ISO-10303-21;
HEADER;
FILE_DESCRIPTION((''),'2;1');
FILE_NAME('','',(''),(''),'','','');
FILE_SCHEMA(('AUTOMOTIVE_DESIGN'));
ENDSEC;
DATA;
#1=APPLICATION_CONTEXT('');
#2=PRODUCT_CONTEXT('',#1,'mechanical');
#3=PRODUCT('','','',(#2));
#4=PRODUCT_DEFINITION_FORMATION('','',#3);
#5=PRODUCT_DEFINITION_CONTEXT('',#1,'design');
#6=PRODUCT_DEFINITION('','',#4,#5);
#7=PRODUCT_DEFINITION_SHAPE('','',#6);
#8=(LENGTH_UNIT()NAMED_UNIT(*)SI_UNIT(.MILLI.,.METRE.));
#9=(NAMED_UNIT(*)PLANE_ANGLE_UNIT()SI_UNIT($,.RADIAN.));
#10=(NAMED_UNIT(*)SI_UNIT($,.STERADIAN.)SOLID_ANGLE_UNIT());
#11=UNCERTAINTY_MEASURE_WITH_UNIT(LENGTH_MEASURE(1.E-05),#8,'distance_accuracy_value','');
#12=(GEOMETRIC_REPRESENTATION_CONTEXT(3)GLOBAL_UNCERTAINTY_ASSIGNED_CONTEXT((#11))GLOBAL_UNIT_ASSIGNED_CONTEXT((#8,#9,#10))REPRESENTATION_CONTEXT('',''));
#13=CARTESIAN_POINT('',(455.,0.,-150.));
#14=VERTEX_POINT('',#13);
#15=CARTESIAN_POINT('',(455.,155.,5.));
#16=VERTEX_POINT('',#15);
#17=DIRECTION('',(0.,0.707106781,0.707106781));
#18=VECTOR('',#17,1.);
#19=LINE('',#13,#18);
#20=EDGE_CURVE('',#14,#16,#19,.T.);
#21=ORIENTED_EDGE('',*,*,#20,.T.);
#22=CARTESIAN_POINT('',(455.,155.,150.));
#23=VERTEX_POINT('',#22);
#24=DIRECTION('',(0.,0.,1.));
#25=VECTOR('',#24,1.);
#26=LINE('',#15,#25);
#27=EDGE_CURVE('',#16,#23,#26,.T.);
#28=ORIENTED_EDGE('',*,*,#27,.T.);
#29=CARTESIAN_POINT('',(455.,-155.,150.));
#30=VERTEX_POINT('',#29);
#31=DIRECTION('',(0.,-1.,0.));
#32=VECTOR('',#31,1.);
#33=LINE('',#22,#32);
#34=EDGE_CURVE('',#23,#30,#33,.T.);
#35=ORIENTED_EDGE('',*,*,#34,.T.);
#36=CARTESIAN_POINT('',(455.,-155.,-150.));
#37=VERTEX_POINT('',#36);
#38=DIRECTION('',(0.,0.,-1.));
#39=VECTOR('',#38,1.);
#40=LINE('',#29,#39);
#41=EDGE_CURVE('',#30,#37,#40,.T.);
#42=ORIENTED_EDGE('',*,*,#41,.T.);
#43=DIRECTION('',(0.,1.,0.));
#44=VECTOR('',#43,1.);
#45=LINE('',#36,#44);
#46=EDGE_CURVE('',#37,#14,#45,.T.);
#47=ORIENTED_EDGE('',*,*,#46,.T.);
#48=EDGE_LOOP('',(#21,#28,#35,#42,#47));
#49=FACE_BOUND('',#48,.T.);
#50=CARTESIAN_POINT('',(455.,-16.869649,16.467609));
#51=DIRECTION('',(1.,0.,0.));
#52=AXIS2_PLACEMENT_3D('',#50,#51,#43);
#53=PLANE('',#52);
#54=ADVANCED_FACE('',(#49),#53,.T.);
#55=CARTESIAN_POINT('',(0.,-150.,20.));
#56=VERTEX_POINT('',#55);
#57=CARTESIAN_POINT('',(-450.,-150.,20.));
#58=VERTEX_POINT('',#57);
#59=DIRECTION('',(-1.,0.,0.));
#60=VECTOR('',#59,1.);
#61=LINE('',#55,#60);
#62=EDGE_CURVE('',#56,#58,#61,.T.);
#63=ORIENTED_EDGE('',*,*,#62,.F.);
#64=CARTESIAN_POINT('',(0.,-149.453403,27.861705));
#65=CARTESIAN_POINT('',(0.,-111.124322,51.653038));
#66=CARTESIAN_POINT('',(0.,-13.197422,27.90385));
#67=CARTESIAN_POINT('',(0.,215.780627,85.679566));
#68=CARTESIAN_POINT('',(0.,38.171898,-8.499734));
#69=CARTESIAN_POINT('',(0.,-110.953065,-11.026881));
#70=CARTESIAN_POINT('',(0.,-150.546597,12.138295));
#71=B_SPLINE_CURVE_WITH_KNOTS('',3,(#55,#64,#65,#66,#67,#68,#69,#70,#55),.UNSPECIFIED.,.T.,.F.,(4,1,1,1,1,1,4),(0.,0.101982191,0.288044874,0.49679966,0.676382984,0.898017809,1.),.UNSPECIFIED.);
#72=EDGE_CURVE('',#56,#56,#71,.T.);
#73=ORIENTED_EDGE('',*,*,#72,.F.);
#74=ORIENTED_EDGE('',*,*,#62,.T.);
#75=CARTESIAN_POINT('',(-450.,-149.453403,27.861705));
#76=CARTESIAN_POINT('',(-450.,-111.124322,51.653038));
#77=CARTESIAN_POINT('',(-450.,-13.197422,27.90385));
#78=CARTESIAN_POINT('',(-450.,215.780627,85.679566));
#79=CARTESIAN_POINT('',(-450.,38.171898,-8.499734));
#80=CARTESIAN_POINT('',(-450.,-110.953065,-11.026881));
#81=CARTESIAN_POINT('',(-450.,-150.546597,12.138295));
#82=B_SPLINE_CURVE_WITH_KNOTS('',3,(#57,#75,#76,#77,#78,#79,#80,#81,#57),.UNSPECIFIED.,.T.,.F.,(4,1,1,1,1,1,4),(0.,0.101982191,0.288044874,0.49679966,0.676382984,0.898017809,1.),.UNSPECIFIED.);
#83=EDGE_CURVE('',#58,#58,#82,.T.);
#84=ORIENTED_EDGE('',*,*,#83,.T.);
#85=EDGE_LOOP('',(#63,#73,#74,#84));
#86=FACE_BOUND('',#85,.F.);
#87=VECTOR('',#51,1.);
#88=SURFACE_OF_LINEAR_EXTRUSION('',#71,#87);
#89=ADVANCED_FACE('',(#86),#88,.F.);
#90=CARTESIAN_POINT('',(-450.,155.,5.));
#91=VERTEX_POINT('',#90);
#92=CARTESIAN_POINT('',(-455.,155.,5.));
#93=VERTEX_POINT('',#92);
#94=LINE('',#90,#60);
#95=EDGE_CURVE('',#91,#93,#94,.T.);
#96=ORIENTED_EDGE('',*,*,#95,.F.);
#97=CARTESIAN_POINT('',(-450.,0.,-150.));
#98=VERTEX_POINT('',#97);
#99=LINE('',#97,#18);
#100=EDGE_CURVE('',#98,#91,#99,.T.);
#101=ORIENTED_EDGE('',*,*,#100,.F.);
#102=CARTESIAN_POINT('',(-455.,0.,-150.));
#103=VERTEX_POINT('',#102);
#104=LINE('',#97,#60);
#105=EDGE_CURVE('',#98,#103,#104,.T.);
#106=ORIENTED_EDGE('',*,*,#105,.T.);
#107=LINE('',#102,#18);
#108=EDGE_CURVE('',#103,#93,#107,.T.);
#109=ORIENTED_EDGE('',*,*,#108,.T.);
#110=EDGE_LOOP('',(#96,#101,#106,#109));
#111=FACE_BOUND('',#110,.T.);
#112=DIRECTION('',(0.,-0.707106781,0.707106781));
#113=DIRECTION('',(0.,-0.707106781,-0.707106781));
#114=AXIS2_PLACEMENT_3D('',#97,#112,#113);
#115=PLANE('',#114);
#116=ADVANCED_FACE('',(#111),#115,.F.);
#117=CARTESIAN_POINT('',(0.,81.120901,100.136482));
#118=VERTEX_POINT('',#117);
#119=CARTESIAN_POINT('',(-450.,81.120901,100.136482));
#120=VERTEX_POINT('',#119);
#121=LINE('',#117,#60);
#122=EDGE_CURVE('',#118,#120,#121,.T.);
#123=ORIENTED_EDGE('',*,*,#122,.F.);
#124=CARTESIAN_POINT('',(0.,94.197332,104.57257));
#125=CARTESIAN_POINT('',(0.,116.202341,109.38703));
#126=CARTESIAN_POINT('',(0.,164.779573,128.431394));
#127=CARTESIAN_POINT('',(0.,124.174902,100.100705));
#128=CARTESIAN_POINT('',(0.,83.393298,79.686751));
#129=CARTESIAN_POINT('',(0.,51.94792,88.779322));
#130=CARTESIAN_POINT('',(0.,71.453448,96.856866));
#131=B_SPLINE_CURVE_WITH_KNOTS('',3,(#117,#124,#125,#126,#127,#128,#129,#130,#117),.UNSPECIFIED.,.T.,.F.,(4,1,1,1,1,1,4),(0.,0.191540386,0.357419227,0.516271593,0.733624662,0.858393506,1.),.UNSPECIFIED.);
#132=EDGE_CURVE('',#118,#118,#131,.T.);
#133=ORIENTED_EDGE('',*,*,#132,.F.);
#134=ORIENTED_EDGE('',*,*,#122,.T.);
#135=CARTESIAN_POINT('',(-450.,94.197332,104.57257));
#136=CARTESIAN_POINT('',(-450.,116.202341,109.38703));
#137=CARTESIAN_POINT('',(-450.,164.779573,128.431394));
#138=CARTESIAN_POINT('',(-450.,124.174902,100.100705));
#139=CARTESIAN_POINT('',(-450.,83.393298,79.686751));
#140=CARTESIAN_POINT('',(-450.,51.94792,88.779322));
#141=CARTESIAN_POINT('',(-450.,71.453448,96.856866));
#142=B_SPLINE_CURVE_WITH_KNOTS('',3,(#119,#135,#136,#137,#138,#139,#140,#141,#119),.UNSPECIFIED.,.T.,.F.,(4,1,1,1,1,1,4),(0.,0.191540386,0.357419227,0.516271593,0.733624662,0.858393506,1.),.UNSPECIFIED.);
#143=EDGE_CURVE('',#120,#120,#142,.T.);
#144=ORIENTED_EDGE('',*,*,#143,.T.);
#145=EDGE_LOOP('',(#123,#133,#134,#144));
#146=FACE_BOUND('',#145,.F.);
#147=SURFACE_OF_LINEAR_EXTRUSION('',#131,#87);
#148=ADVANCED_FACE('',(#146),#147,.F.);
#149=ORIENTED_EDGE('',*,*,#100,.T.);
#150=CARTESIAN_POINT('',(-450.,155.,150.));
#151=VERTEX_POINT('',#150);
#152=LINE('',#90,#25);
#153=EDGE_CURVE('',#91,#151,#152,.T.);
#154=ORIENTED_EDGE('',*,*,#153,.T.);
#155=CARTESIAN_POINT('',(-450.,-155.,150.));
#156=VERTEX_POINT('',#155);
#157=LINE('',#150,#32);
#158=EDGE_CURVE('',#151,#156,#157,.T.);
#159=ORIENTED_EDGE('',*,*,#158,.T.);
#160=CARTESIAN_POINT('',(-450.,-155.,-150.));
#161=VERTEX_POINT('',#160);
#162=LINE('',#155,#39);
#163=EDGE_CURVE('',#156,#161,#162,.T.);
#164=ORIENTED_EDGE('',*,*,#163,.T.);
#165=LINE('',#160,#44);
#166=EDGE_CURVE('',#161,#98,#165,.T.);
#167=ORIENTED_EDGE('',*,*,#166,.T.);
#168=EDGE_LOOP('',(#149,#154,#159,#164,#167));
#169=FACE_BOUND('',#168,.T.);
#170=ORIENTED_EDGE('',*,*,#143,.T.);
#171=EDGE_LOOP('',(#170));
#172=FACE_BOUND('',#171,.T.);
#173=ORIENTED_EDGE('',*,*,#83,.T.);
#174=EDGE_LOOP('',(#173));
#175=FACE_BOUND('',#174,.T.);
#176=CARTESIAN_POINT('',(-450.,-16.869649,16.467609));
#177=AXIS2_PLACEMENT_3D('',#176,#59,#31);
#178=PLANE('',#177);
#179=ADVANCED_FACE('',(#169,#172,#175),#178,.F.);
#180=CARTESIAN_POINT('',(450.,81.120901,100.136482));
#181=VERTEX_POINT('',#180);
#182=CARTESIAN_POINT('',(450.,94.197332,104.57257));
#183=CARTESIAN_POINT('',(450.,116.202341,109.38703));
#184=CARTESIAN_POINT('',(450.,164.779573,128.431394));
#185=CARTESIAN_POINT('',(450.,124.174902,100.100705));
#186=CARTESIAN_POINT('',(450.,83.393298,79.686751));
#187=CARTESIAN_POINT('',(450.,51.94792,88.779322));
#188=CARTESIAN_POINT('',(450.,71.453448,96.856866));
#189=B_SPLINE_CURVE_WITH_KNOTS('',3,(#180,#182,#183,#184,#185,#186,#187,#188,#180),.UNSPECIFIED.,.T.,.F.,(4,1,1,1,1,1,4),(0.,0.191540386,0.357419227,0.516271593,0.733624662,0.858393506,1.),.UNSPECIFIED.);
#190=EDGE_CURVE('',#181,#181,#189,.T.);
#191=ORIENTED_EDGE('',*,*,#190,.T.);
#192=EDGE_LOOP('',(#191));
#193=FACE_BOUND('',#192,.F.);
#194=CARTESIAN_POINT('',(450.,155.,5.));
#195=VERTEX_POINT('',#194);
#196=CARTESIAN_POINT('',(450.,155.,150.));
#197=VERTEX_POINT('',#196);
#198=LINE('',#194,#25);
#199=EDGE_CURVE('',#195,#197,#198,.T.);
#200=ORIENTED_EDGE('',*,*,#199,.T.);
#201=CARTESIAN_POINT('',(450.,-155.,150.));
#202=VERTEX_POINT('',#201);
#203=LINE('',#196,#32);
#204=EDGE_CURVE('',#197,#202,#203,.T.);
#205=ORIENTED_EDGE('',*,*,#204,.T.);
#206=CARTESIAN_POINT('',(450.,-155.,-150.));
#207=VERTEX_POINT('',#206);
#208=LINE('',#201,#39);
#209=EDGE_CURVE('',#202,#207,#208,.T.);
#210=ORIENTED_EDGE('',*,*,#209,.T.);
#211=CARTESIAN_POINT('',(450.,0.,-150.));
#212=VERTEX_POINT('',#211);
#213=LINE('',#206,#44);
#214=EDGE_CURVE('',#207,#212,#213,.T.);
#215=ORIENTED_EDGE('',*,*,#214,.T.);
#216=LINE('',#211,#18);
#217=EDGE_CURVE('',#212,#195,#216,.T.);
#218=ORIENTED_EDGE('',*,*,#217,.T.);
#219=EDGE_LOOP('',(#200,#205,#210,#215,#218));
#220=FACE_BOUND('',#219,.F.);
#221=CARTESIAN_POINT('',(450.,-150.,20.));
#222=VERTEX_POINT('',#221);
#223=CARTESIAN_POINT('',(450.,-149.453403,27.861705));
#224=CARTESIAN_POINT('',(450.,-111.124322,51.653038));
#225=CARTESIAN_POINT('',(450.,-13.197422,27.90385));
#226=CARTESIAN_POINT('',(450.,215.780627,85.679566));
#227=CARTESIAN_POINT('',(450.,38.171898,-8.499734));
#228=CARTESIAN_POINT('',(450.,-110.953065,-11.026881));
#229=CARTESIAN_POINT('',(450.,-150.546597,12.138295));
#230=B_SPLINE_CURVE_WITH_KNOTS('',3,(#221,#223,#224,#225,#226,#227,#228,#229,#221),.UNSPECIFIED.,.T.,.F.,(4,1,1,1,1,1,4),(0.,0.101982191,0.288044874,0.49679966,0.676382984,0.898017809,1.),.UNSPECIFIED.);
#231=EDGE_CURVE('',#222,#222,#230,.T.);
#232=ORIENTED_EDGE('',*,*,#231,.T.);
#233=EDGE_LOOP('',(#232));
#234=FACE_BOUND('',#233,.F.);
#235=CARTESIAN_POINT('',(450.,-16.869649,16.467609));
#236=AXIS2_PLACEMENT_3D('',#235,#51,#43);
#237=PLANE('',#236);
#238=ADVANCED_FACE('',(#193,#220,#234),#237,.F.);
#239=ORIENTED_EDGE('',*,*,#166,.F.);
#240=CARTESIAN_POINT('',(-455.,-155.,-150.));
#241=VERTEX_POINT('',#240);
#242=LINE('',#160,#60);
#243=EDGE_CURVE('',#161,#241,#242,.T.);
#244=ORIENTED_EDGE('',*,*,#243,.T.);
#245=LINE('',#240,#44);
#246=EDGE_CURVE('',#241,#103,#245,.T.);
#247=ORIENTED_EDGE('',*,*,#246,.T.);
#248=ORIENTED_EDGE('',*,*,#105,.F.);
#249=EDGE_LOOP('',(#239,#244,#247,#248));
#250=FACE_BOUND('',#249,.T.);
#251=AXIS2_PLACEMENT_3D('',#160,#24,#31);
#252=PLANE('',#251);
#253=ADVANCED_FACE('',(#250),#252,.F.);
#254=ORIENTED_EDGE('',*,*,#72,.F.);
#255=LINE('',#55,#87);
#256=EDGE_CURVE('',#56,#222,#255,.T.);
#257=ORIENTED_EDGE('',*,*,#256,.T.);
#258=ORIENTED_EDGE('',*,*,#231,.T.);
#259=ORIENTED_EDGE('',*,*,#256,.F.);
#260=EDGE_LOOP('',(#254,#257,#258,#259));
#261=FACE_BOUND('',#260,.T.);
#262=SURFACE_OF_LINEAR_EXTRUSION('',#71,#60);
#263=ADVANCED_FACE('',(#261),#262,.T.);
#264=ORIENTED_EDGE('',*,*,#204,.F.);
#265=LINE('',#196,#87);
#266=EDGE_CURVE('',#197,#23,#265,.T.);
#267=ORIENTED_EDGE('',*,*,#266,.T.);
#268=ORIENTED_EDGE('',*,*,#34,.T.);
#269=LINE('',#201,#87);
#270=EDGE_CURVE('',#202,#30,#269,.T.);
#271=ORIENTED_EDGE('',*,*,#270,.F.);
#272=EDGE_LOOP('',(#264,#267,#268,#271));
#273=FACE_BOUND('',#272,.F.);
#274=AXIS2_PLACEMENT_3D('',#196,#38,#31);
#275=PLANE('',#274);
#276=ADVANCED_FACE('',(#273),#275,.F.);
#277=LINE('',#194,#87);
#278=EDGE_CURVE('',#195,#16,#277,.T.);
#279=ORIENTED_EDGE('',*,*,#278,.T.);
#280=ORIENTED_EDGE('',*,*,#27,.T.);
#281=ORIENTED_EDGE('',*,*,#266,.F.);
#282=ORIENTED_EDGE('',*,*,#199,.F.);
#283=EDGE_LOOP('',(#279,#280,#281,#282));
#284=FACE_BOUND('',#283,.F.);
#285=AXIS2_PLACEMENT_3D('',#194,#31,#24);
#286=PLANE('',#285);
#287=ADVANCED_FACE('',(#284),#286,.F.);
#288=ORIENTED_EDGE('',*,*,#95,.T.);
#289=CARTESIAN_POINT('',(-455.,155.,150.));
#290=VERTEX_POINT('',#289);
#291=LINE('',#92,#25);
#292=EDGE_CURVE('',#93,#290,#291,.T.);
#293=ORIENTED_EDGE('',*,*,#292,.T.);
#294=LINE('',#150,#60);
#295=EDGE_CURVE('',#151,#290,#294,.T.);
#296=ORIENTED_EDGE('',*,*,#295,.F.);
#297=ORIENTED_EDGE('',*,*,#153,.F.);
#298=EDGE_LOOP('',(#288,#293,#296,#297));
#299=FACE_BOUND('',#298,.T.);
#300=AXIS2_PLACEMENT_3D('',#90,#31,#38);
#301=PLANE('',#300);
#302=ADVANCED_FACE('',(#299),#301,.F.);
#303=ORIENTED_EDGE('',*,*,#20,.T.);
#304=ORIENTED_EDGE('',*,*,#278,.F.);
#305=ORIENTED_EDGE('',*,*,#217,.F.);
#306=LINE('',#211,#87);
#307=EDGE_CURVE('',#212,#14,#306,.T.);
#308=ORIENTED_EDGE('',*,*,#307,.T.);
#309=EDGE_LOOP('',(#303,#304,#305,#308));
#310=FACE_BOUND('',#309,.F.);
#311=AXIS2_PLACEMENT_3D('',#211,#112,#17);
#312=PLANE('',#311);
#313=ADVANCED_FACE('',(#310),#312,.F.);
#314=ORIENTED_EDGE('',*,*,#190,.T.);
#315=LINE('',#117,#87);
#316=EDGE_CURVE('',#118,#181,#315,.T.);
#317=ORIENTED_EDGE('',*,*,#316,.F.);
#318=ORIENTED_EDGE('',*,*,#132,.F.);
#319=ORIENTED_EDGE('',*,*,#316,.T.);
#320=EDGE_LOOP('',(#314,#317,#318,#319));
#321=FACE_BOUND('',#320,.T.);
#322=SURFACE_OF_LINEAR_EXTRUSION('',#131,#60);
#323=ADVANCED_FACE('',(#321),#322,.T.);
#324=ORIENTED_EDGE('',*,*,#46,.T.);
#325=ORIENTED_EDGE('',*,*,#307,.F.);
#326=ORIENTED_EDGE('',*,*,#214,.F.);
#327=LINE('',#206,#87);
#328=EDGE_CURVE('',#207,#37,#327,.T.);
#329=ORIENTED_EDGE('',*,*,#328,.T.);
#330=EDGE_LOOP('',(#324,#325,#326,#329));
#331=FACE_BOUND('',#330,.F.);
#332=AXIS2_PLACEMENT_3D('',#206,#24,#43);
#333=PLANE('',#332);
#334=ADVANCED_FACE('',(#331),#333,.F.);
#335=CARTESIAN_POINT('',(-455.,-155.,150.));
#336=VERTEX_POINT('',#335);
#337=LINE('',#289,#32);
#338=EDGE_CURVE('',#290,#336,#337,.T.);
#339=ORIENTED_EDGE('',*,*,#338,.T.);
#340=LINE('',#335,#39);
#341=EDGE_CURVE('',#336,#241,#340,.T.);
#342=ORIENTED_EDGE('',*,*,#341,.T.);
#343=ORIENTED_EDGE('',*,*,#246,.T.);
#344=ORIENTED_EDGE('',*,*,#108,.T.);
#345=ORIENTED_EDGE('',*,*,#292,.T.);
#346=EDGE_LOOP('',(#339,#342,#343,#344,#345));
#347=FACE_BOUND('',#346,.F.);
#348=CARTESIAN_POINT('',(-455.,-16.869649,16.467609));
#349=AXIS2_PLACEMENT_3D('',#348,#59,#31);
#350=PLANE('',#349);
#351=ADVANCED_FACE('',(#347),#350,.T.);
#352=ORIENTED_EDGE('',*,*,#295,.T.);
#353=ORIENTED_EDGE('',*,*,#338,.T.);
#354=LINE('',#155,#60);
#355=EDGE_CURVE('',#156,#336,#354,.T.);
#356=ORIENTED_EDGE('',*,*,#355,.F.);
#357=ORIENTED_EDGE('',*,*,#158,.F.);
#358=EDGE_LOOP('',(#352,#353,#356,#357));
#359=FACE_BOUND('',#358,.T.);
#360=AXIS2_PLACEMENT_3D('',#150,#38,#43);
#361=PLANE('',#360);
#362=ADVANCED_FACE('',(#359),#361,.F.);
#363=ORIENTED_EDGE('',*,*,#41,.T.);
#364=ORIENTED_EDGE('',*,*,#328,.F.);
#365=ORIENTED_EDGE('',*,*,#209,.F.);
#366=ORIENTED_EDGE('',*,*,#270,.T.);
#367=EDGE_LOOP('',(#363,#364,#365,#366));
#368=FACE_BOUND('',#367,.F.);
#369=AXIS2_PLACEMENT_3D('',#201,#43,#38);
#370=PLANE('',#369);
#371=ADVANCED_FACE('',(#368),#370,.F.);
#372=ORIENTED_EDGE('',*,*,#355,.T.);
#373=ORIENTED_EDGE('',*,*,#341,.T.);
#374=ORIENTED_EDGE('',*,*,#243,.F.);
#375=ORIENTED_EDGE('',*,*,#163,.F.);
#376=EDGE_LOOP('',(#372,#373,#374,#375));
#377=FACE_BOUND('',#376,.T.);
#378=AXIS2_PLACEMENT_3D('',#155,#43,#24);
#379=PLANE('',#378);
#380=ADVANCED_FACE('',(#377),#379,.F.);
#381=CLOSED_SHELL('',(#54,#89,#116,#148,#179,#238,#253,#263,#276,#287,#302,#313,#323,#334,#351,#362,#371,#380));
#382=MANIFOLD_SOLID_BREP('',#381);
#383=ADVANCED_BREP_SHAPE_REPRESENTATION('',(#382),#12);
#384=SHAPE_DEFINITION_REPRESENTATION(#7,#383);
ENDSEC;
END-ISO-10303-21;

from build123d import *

# Parameters (mm, degrees)
F1_DEPTH = 450
F3_DEPTH = 5
F6_DEPTH = 450


with BuildPart() as f1:
    # F0 (on Right) → F1 (new body, symmetric)
    with BuildSketch(Plane.YZ):
        with BuildLine():
            add(Edge.make_bspline(
                [(-150, 20), (-149.4534025256, 27.8617049178), (-111.124322052, 51.653037631), (-13.1974217102, 27.9038504844), (215.7806270185, 85.6795659235), (38.1718984796, -8.49973387), (-110.9530645063, -11.0268811483), (-150.5465974744, 12.1382950822), (-150, 20)],
                knots=[0, 0, 0, 0, 0.1019821913, 0.2880448745, 0.4967996604, 0.6763829839, 0.8980178087, 1, 1, 1, 1], degree=3))
        make_face()
    extrude(amount=F1_DEPTH, both=True)

    # F2 (on face) → F3 (join)
    with BuildSketch(Plane.YZ.offset(450)):
        Polygon((155, 150), (-155, 150), (-155, -150), (0, -150), (155, 5), align=None)
    extrude(amount=F3_DEPTH)

    # F4: F1 across plane


with BuildPart() as f1_1:
    add(f1.part)
    add(f1.part.mirror(Plane.YZ))

    # F5 (on Right) → F6 (join, symmetric)
    with BuildSketch(Plane.YZ):
        with BuildLine():
            add(Edge.make_bspline(
                [(81.1209009165, 100.13648171), (94.1973323132, 104.572569634), (116.2023410468, 109.3870300731), (164.7795729164, 128.4313940785), (124.1749024324, 100.1007050071), (83.3932977974, 79.6867510477), (51.9479200117, 88.7793222775), (71.4534483391, 96.8568660156), (81.1209009165, 100.13648171)],
                knots=[0, 0, 0, 0, 0.1915403863, 0.3574192266, 0.5162715926, 0.7336246624, 0.8583935063, 1, 1, 1, 1], degree=3))
        make_face()
    extrude(amount=F6_DEPTH, both=True)


solid = f1_1.part
